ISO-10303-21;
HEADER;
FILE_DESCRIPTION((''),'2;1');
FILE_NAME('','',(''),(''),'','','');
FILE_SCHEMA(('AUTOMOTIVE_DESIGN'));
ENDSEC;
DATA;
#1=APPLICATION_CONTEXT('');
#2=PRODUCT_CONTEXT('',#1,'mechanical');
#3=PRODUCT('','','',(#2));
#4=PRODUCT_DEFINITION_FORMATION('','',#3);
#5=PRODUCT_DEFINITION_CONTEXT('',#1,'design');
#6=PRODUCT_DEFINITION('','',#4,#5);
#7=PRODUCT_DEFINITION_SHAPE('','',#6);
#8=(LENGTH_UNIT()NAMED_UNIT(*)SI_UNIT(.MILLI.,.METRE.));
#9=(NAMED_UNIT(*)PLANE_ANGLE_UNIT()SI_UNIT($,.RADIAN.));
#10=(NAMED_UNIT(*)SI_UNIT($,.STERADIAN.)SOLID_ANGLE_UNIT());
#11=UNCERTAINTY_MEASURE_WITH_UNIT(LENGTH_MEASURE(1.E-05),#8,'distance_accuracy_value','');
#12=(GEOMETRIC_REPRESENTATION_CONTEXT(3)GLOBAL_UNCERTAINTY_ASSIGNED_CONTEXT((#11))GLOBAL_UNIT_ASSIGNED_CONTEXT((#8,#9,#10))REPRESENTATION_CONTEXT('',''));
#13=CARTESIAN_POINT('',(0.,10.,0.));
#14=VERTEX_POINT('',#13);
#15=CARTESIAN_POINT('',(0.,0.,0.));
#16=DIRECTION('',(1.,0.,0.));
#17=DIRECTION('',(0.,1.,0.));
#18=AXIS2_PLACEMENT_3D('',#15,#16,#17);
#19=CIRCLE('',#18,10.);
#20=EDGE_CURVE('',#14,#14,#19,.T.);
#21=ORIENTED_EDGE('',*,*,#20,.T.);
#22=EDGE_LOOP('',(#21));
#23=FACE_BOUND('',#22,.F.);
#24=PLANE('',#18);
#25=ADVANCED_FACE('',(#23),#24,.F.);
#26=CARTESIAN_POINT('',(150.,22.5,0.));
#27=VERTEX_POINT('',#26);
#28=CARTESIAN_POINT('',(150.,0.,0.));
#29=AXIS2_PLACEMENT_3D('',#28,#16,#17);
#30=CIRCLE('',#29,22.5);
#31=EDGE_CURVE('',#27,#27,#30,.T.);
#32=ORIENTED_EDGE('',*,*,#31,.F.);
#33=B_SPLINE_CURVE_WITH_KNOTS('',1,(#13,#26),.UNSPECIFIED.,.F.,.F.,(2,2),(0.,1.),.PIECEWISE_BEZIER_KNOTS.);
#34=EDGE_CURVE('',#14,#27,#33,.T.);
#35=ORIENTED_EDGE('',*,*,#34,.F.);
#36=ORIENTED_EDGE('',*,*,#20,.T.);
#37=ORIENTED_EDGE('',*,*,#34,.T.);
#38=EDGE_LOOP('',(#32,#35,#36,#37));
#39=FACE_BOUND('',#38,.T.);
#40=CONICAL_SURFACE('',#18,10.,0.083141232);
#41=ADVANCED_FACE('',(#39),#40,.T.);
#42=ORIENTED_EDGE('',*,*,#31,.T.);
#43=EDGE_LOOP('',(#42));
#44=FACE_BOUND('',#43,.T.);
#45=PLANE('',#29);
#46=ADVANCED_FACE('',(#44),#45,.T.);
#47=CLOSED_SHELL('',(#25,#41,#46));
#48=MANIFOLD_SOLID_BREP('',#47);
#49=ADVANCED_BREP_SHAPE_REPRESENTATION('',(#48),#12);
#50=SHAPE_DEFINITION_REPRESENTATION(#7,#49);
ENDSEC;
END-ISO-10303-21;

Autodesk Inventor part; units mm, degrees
ref_plane "XZ Plane" through (0, 0, 0) normal (0, 1, 0) x (-1, 0, 0)
ref_plane "XY Plane" through (0, 0, 0) normal (0, 0, 1) x (1, 0, 0)
sketch "Sketch1" plane through (0, 0, 0) normal (1, 0, 0) x (0, 1, 0)
  circle A0 centre (0, 0) radius 10
  dimension "d0" = 20
ref_plane "Work Plane1" through (150, 0, 0) normal (1, 0, 0) x (0, 1, 0)
sketch "Sketch2" plane through (150, 0, 0) normal (1, 0, 0) x (0, 1, 0)
  circle A0 centre (0, 0) radius 22.5
  dimension "d2" = 45
loft "Loft1" add profiles "Sketch1", "Sketch2"
properties part number "Carrote"
